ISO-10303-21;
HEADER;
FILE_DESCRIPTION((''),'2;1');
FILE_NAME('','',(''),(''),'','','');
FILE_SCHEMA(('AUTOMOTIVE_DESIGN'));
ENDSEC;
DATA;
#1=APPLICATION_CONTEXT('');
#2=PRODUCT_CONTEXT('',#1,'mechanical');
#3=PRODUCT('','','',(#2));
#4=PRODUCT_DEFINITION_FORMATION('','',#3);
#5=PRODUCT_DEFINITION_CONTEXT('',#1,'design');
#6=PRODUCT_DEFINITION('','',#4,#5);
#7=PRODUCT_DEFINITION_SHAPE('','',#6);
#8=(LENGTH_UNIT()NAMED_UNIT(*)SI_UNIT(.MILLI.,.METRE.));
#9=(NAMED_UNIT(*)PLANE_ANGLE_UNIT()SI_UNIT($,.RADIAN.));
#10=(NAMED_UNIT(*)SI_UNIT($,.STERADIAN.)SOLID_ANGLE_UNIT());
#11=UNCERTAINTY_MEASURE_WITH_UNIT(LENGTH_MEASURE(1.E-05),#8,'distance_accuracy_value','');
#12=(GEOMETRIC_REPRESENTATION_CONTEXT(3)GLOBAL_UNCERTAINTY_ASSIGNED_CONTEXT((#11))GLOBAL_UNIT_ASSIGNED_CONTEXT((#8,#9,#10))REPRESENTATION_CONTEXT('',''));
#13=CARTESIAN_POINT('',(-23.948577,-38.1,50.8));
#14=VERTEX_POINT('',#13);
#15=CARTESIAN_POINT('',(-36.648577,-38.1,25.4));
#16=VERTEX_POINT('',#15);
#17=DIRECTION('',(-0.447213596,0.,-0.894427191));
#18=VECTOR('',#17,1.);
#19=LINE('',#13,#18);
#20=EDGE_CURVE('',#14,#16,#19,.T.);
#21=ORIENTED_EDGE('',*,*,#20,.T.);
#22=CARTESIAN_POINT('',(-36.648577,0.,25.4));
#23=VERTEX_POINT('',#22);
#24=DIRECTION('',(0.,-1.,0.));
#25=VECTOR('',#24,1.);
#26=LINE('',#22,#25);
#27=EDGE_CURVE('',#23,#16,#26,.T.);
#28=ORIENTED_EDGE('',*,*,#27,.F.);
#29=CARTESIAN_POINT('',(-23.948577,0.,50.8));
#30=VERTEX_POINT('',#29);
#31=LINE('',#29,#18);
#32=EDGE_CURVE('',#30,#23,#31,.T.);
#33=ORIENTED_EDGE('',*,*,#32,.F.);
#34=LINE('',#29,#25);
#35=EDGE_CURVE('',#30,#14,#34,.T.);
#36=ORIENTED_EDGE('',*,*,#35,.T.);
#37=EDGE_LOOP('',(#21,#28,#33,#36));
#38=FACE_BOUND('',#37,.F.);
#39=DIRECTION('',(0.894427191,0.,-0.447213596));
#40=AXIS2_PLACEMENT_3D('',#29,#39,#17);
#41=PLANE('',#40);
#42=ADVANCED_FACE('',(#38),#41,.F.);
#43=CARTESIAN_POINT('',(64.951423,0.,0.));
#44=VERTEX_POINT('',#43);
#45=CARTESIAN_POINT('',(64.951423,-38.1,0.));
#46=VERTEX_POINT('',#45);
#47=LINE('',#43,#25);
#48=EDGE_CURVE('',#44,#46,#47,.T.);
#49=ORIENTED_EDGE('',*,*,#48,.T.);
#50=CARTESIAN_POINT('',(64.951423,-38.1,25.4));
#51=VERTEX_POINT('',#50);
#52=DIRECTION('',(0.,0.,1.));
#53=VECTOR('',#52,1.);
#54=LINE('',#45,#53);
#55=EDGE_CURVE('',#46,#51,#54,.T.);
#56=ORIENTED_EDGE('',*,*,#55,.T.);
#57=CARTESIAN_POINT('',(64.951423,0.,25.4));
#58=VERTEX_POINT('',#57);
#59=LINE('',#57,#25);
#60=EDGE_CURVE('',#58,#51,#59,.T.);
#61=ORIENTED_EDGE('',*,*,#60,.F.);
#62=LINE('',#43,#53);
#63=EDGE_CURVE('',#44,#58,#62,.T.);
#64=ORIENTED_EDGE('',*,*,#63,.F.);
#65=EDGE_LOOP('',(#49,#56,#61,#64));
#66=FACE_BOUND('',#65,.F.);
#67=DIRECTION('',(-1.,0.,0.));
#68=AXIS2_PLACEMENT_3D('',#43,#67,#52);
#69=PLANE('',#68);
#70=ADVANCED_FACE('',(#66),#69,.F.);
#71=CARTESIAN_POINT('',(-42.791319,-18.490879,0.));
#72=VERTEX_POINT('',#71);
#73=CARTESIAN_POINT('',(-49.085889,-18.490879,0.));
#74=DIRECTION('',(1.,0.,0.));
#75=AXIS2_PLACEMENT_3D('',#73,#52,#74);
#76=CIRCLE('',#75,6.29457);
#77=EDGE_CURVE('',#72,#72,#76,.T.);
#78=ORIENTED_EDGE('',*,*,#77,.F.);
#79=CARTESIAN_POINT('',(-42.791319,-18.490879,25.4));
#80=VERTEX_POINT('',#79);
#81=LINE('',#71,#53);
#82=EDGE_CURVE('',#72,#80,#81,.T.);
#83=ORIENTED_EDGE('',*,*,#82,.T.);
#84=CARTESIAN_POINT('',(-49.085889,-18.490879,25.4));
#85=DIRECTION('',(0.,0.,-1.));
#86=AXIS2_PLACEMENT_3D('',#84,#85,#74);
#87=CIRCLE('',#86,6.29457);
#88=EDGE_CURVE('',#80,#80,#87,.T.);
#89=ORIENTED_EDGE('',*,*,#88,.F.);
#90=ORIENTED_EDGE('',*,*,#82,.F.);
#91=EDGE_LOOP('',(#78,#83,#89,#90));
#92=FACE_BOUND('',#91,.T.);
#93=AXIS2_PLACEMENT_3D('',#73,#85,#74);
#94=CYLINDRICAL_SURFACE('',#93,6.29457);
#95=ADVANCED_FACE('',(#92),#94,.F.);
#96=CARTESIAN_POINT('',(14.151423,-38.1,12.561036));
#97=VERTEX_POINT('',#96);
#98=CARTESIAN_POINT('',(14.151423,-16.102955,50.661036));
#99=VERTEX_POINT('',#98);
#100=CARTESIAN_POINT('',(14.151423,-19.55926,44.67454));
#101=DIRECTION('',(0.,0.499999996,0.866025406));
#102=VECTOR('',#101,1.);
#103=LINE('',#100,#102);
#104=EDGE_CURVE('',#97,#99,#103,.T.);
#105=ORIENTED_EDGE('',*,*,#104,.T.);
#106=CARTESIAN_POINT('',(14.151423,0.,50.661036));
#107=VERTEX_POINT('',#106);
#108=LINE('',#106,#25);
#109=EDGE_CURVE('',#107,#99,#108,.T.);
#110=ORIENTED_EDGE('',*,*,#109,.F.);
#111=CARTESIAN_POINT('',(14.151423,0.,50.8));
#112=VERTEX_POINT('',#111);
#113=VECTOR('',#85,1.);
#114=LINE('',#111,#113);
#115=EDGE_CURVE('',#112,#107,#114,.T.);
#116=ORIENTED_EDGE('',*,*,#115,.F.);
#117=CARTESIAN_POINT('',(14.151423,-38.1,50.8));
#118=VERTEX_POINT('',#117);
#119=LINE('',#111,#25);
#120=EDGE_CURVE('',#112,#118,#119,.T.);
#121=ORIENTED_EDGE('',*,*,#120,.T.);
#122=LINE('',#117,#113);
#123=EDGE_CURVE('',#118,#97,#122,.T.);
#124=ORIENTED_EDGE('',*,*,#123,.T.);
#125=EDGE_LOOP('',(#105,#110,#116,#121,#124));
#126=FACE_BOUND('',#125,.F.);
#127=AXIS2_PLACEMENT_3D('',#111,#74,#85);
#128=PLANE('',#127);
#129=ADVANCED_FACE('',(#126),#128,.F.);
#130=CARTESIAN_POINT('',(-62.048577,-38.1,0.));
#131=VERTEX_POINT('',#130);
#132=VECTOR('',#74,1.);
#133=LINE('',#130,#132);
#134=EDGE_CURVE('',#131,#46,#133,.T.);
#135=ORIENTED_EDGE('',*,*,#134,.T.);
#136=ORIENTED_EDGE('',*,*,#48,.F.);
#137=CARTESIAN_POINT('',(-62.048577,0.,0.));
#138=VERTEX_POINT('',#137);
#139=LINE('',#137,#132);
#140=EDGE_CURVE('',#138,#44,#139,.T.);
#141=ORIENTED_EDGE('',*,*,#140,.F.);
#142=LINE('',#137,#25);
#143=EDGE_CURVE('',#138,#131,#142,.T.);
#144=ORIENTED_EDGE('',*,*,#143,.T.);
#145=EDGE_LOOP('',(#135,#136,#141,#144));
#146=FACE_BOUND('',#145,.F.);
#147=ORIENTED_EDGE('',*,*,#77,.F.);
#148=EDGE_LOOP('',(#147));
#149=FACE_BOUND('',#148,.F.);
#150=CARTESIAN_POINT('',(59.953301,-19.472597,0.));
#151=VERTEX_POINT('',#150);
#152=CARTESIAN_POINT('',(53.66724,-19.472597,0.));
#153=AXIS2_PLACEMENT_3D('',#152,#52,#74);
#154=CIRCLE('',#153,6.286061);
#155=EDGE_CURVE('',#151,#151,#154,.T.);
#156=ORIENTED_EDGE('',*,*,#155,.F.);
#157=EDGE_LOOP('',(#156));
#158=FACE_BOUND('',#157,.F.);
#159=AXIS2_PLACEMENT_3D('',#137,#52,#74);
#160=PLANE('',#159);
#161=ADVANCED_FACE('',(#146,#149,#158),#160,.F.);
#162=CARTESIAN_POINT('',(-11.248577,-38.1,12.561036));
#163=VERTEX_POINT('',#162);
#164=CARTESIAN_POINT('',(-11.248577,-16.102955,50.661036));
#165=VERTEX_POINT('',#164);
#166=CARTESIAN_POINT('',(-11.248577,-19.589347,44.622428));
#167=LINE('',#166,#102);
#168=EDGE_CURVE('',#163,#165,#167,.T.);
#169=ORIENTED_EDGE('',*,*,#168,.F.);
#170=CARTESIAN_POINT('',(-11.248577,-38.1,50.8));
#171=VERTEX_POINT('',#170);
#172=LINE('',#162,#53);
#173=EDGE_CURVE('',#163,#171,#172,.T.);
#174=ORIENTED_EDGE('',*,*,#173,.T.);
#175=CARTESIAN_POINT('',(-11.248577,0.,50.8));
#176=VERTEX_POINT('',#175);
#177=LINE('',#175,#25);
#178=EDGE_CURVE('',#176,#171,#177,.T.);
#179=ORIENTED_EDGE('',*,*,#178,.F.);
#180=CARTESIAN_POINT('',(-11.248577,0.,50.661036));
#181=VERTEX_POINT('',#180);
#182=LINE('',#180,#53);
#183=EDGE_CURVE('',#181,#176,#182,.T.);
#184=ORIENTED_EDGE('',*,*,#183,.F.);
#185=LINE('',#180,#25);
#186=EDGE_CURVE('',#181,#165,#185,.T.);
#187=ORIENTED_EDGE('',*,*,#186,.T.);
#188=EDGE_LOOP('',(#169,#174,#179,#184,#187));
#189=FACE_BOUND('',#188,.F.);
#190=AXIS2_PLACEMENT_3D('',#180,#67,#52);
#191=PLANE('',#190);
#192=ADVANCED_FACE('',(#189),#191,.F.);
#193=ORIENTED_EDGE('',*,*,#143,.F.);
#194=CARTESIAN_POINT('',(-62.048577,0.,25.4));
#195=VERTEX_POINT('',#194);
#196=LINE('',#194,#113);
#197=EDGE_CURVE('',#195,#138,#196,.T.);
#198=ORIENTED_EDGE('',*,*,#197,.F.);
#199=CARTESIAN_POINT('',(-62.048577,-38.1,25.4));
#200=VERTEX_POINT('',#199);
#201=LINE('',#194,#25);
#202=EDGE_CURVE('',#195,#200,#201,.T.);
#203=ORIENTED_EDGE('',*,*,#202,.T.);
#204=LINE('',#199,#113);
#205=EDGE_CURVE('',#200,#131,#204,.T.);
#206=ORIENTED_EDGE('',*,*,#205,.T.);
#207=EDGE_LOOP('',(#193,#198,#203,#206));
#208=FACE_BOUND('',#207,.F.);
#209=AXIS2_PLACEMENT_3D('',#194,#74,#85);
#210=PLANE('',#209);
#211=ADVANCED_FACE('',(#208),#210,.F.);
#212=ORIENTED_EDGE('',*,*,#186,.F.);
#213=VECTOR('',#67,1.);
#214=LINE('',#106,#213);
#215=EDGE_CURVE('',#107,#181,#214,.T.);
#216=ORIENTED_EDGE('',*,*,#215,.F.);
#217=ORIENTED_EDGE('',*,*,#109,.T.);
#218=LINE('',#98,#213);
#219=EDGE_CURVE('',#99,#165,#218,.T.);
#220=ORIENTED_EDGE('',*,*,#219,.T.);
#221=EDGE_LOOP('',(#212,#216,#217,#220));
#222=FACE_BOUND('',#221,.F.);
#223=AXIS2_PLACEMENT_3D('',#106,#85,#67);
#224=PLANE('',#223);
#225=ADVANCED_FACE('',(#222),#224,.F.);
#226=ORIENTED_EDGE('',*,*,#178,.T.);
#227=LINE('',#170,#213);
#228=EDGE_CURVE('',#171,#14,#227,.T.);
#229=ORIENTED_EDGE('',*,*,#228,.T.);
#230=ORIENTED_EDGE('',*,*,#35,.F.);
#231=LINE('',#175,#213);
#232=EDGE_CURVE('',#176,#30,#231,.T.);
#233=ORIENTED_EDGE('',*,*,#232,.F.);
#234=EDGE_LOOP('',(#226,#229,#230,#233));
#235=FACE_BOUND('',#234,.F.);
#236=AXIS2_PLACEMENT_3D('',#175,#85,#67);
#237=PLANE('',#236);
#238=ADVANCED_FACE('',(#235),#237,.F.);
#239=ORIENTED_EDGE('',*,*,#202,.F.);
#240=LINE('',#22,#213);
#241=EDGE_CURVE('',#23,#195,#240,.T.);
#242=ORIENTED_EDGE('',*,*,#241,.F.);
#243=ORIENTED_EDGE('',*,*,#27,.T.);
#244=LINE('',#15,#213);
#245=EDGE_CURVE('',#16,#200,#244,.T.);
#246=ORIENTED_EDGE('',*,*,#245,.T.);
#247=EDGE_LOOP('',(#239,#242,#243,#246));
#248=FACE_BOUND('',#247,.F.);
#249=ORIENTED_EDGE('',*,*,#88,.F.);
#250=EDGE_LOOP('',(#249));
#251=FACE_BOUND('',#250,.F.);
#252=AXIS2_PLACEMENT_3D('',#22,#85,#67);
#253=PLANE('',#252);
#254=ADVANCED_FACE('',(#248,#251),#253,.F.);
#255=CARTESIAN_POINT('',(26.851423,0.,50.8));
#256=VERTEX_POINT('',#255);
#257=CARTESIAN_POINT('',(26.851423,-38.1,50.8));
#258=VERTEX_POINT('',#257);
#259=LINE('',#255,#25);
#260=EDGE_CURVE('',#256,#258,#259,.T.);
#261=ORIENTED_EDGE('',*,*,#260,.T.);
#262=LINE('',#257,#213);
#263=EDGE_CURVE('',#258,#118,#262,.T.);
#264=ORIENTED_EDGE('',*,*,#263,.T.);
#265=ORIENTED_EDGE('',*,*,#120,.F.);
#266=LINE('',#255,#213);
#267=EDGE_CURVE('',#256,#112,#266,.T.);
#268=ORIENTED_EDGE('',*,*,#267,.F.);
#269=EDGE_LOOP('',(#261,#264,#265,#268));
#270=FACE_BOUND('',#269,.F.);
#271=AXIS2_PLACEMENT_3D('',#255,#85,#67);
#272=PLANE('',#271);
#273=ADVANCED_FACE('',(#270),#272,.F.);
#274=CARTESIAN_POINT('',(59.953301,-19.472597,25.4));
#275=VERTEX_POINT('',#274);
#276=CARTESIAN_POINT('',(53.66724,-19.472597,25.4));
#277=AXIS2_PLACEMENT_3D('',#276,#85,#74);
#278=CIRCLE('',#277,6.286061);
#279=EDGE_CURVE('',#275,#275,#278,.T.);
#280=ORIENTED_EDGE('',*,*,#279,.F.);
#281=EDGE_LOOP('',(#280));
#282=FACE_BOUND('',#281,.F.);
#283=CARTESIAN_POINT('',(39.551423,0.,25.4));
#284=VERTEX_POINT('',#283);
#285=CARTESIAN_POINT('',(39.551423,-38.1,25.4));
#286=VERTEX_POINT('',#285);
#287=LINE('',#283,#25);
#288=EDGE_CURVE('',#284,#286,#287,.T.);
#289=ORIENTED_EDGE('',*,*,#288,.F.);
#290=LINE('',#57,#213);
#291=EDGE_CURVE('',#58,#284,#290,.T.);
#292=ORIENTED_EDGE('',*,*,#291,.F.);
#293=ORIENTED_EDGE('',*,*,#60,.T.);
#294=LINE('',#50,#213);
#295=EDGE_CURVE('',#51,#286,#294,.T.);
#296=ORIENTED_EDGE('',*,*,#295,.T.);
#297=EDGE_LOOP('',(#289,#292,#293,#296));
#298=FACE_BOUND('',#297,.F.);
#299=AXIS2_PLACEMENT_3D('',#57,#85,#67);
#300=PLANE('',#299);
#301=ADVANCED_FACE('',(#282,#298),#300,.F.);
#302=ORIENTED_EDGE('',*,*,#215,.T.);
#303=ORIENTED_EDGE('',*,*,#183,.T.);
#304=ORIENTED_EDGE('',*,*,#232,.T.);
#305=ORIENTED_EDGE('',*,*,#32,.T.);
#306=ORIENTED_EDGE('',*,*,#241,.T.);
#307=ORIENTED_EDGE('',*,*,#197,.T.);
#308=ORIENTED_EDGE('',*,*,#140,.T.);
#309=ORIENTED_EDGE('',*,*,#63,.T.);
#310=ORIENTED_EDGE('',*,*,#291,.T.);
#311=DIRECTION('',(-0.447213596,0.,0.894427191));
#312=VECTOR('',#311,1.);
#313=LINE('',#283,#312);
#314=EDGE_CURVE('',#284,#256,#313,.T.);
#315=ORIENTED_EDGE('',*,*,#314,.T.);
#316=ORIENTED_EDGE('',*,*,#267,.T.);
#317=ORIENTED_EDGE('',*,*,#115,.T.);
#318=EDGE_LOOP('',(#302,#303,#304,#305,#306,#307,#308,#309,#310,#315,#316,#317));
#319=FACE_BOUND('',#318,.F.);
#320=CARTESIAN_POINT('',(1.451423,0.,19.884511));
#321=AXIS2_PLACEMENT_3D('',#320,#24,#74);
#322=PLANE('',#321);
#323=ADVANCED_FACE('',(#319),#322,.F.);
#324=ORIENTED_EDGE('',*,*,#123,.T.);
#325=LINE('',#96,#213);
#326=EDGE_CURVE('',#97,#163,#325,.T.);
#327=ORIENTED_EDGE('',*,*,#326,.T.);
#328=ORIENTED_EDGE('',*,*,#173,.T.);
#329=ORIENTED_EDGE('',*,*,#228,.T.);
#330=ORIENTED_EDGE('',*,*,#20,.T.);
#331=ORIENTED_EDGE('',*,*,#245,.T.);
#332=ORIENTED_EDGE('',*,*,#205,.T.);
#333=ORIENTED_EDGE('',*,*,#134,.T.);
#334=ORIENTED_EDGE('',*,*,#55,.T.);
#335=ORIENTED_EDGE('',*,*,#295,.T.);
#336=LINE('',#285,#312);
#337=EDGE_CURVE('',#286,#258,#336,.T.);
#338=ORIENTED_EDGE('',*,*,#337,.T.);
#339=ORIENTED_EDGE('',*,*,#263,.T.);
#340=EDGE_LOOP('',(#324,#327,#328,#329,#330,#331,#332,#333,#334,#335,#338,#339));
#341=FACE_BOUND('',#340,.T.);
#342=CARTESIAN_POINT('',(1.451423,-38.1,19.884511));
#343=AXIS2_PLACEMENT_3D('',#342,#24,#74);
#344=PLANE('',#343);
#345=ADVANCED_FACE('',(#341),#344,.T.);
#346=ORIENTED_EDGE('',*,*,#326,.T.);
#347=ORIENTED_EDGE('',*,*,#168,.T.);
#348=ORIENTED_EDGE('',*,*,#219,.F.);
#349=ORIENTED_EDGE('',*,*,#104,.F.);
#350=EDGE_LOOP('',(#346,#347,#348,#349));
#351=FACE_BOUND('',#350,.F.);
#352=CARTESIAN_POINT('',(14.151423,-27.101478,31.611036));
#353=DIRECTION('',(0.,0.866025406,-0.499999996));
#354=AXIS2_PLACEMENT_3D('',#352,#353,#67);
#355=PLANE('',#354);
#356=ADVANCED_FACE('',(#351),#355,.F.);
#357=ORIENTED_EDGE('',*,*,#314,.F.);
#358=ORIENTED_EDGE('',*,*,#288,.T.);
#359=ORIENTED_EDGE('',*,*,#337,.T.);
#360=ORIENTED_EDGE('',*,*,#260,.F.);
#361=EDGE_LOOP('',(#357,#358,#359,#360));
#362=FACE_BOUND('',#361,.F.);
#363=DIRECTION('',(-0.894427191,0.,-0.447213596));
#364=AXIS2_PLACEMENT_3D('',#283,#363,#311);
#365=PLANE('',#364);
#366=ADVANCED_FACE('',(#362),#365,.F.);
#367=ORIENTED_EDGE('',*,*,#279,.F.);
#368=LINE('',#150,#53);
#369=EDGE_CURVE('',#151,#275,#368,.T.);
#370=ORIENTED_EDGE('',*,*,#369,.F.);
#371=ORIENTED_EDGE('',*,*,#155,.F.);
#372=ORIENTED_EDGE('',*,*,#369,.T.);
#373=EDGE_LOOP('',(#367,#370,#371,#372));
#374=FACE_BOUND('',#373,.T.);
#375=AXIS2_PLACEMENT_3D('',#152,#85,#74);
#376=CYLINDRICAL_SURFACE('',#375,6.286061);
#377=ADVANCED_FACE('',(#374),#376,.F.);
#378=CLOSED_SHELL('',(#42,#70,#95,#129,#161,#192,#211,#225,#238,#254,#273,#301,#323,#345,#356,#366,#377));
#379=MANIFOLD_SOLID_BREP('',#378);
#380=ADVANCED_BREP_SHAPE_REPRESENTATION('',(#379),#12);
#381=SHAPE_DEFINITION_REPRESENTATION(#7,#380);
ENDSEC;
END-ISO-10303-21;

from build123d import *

# Parameters (mm, degrees)
F1_DEPTH = 38.1
F2_R     = 6.29457
F2_R_2   = 6.286061
F3_DEPTH = 82.296
F4_SIZE2 = 21.997045
F4_SIZE  = 38.1


with BuildPart() as f1:
    # F0 (on Front) → F1 (new body)
    with BuildSketch(Plane.XZ):
        Polygon((-62.048577, 25.4), (-62.048577, 0), (64.951423, 0), (64.951423, 25.4), (39.551423, 25.4), (26.851423, 50.8), (14.151423, 50.8), (14.151423, 50.661036), (-11.248577, 50.661036), (-11.248577, 50.8), (-23.948577, 50.8), (-36.648577, 25.4), align=None)
    extrude(amount=F1_DEPTH)

    # F2 (on Top) → F3 (cut)
    with BuildSketch(Plane.XY):
        with Locations((-49.085889, -18.490879)):
            Circle(F2_R)
        with Locations((53.66724, -19.472597)):
            Circle(F2_R_2)
    extrude(amount=F3_DEPTH, mode=Mode.SUBTRACT)

    # F4
    f4_edges = [f1.edges().sort_by_distance(p)[0] for p in [
        (1.451423, -38.1, 50.661036),
    ]]
    chamfer(f4_edges, length=F4_SIZE, length2=F4_SIZE2)


solid = f1.part
